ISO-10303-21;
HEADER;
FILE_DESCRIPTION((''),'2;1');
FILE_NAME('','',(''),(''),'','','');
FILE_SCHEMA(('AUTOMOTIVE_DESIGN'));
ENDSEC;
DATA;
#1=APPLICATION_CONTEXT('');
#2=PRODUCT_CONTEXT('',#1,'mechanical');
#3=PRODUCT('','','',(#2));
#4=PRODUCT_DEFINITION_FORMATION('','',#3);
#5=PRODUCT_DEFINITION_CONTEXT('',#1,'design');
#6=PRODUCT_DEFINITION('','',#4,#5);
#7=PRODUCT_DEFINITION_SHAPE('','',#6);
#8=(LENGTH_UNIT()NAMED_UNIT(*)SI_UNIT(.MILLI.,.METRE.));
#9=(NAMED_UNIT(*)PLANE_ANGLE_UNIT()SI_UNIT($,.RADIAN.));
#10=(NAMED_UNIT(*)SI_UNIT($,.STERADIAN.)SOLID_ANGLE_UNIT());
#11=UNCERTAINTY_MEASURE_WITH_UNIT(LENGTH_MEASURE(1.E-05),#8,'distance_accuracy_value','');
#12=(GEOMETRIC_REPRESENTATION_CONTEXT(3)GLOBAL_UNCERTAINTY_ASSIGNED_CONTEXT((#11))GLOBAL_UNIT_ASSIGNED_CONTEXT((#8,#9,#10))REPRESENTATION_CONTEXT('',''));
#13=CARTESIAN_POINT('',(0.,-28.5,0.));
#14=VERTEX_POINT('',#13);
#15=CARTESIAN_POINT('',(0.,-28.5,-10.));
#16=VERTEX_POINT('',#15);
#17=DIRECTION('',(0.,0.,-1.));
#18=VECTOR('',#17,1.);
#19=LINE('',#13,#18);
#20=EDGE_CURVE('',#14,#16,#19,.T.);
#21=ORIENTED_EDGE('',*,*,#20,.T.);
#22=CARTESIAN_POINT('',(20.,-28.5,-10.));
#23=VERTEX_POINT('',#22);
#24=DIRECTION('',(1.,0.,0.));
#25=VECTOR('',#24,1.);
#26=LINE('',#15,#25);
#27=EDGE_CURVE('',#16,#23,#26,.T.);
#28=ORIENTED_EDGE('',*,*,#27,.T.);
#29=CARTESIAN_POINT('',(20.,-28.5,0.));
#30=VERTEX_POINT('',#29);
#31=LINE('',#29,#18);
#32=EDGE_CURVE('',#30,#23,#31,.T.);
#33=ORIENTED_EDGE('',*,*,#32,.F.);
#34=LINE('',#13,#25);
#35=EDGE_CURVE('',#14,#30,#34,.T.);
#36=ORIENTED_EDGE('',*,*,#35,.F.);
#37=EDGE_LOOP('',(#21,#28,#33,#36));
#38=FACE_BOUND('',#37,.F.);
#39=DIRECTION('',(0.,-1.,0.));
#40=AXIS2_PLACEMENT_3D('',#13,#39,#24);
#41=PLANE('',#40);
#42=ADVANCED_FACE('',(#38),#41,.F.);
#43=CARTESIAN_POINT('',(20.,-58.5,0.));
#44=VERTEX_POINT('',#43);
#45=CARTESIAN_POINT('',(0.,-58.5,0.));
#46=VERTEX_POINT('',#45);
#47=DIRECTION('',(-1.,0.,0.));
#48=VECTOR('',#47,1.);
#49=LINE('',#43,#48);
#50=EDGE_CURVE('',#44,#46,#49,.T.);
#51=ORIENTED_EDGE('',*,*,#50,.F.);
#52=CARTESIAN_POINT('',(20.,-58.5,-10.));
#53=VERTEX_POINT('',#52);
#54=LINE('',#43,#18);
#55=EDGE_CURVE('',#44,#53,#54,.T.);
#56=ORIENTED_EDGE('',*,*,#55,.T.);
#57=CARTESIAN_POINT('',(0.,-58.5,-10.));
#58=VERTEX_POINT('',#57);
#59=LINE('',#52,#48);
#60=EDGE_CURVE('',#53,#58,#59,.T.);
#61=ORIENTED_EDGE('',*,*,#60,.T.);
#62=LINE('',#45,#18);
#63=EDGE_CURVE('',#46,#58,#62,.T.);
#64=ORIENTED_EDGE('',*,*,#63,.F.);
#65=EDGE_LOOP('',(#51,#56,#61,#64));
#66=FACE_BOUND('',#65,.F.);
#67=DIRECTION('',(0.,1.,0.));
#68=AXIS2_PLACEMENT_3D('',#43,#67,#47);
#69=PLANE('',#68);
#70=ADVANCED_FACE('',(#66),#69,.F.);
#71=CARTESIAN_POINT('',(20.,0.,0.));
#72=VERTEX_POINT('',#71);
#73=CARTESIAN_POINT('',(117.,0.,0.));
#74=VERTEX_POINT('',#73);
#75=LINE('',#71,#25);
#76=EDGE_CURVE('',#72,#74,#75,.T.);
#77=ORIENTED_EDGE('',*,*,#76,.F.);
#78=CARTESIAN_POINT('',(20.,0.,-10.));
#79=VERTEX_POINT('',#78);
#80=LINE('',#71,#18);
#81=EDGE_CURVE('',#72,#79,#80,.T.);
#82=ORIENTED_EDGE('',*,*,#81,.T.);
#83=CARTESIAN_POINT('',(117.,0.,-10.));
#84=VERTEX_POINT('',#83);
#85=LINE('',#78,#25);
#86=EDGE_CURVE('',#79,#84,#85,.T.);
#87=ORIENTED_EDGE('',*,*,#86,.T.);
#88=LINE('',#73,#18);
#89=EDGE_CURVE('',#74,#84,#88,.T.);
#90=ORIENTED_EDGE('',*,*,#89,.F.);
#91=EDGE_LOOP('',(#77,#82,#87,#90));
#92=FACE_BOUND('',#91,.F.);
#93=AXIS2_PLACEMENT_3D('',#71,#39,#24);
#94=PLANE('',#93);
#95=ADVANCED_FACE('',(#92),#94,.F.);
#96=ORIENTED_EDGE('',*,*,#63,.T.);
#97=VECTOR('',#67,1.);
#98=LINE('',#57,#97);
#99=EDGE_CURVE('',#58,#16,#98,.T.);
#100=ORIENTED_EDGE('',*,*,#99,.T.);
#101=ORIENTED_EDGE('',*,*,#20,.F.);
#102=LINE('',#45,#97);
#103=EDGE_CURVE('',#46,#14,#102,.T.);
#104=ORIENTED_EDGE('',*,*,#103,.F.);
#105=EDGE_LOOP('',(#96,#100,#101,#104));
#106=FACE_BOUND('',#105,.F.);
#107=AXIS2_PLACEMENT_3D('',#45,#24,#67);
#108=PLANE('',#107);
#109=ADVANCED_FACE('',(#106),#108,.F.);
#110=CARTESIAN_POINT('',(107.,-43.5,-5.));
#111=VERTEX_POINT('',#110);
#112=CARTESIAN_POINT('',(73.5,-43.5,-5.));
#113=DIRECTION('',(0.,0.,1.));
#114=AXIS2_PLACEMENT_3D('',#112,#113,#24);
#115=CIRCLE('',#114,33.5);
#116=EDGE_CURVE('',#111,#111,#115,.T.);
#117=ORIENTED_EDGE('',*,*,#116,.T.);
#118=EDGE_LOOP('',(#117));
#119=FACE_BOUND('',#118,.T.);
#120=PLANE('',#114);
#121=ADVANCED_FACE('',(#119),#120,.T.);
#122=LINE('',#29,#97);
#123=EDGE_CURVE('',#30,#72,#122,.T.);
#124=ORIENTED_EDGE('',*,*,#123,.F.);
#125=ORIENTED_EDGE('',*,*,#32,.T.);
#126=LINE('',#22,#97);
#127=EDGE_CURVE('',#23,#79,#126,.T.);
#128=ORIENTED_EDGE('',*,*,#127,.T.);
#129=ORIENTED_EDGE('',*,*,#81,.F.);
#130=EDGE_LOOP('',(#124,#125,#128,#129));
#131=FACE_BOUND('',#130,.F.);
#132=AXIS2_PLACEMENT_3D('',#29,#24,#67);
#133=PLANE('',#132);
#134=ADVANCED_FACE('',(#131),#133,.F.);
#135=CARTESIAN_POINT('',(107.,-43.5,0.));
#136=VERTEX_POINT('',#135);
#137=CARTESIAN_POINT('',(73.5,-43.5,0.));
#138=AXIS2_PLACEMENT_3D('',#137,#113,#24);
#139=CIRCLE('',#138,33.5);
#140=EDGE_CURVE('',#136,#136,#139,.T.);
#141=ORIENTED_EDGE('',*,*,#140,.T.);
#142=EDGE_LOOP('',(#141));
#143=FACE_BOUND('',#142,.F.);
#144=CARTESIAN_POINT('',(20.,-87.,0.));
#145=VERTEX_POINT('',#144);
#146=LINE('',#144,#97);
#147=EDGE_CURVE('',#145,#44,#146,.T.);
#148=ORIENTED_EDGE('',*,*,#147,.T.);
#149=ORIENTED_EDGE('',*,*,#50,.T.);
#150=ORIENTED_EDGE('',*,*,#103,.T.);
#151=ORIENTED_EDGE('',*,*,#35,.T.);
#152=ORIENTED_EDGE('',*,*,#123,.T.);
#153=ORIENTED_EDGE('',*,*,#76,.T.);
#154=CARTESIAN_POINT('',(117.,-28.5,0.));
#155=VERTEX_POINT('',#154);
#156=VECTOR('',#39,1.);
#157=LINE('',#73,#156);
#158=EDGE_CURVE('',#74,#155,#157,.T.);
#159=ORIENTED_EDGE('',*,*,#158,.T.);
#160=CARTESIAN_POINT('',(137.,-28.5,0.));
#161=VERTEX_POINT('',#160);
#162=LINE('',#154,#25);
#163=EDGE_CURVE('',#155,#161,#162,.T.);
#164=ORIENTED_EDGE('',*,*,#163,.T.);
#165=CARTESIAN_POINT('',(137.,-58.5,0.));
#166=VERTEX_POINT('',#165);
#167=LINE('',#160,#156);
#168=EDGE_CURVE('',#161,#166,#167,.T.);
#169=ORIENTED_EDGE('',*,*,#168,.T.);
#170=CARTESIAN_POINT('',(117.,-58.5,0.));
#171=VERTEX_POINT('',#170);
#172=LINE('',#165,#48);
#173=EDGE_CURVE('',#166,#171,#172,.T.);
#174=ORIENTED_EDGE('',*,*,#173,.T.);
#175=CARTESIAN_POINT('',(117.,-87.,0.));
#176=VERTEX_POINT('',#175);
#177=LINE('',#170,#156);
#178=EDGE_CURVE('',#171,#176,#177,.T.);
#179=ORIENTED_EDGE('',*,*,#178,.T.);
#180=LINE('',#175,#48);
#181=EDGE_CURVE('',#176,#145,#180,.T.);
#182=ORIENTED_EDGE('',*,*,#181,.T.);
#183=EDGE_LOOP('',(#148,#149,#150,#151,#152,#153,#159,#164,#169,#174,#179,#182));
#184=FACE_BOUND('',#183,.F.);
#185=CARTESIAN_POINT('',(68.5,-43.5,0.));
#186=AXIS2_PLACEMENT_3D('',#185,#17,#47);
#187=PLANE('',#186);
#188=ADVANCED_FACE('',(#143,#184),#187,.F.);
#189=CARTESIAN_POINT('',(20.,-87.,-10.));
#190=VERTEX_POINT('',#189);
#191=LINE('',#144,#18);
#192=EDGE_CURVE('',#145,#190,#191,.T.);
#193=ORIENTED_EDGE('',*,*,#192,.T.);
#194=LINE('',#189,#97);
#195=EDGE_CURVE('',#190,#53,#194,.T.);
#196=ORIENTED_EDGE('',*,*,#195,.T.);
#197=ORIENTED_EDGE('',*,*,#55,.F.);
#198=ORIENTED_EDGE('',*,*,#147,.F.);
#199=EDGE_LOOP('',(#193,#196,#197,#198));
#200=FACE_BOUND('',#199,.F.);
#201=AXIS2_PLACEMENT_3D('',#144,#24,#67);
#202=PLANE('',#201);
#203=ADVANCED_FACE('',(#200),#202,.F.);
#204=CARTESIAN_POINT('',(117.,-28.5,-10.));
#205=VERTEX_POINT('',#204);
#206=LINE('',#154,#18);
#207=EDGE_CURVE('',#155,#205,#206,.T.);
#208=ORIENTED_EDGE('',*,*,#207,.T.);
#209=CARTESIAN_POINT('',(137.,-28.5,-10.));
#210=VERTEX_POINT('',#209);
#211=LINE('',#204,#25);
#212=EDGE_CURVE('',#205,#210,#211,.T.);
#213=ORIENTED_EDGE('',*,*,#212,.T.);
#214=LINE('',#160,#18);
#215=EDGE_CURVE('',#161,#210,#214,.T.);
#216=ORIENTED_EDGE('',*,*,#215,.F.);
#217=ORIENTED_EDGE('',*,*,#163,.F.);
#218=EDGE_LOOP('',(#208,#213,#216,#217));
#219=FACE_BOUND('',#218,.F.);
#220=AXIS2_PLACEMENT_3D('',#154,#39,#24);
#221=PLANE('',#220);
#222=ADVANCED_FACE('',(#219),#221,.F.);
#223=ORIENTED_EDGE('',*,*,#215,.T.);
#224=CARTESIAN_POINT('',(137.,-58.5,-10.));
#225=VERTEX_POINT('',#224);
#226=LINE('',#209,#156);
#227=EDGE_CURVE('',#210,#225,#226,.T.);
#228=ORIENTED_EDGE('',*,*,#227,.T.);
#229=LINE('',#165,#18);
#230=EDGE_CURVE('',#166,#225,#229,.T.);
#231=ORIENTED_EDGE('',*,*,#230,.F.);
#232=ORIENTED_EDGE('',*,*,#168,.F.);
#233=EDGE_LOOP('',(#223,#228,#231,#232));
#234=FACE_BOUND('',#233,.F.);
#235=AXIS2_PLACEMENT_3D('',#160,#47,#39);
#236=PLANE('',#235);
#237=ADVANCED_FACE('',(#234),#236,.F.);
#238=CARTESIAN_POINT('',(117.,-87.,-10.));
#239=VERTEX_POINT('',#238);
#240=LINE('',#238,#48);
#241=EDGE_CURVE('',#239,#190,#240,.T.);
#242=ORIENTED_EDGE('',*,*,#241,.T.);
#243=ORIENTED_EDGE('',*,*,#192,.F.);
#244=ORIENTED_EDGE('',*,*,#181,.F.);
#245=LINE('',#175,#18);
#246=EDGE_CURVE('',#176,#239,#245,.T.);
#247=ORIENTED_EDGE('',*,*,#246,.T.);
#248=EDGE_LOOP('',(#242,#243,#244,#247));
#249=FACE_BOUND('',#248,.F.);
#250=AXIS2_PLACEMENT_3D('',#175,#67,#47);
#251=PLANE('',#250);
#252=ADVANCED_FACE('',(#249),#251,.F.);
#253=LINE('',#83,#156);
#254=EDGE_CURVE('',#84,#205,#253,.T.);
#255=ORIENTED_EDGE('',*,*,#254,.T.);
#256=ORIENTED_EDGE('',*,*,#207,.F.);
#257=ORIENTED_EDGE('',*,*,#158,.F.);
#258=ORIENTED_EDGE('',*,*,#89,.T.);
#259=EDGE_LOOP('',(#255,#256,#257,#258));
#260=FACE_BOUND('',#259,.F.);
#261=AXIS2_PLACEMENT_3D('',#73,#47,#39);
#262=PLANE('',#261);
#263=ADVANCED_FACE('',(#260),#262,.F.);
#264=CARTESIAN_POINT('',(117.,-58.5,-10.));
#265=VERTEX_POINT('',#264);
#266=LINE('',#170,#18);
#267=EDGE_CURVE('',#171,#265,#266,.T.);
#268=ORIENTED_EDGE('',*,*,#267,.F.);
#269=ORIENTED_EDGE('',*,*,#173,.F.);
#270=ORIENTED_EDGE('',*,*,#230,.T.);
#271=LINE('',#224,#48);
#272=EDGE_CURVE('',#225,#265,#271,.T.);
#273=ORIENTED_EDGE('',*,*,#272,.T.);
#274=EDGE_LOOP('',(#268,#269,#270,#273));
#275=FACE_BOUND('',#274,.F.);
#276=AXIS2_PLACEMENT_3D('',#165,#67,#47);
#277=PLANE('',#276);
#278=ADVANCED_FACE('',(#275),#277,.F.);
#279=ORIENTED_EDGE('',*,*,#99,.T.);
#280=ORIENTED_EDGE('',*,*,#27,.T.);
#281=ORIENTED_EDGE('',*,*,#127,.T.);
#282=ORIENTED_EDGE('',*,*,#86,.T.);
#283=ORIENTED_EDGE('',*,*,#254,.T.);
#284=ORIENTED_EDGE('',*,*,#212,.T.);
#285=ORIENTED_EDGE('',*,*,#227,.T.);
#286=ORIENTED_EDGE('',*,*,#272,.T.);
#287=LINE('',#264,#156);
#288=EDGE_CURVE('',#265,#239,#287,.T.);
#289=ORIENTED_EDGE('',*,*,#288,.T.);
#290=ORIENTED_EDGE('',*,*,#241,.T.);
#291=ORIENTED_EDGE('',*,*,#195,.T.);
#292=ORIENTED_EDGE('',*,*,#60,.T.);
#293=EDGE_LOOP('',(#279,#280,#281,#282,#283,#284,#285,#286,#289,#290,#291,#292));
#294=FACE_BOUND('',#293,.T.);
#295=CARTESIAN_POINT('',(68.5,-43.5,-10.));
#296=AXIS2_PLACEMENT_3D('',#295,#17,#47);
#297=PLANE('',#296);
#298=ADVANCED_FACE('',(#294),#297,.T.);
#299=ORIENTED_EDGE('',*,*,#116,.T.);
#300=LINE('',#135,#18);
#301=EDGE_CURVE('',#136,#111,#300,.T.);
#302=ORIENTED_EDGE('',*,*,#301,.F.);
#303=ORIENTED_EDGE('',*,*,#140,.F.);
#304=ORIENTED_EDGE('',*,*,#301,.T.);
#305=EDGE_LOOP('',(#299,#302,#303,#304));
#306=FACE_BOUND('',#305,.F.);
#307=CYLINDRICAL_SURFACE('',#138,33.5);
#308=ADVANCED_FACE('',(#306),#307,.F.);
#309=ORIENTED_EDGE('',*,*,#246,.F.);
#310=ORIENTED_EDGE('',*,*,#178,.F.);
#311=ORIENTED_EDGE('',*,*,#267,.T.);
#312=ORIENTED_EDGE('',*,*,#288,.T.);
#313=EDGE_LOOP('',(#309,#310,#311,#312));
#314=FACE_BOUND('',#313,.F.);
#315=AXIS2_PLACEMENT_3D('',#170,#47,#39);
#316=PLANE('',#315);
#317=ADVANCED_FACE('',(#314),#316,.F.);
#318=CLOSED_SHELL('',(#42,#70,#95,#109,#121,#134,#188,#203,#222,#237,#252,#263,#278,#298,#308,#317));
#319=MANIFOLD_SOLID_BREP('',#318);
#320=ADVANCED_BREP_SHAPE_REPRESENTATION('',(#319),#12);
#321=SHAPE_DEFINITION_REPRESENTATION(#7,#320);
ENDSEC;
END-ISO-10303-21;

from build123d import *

# Parameters (mm, degrees)
PAD_DEPTH    = 10
SKETCH001_R  = 33.5
POCKET_DEPTH = 5


with BuildPart() as part:
    # Sketch → Pad (new body)
    with BuildSketch(Plane.XY):
        Polygon((0, -28.5), (20, -28.5), (20, 0), (117, 0), (117, -28.5), (137, -28.5), (137, -58.5), (117, -58.5), (117, -87), (20, -87), (20, -58.5), (0, -58.5), align=None)
    extrude(amount=-PAD_DEPTH)

    # Sketch001 → Pocket (cut)
    with BuildSketch(Plane.XY):
        with Locations((73.5, -43.5)):
            Circle(SKETCH001_R)
    extrude(amount=-POCKET_DEPTH, mode=Mode.SUBTRACT)


solid = part.part
